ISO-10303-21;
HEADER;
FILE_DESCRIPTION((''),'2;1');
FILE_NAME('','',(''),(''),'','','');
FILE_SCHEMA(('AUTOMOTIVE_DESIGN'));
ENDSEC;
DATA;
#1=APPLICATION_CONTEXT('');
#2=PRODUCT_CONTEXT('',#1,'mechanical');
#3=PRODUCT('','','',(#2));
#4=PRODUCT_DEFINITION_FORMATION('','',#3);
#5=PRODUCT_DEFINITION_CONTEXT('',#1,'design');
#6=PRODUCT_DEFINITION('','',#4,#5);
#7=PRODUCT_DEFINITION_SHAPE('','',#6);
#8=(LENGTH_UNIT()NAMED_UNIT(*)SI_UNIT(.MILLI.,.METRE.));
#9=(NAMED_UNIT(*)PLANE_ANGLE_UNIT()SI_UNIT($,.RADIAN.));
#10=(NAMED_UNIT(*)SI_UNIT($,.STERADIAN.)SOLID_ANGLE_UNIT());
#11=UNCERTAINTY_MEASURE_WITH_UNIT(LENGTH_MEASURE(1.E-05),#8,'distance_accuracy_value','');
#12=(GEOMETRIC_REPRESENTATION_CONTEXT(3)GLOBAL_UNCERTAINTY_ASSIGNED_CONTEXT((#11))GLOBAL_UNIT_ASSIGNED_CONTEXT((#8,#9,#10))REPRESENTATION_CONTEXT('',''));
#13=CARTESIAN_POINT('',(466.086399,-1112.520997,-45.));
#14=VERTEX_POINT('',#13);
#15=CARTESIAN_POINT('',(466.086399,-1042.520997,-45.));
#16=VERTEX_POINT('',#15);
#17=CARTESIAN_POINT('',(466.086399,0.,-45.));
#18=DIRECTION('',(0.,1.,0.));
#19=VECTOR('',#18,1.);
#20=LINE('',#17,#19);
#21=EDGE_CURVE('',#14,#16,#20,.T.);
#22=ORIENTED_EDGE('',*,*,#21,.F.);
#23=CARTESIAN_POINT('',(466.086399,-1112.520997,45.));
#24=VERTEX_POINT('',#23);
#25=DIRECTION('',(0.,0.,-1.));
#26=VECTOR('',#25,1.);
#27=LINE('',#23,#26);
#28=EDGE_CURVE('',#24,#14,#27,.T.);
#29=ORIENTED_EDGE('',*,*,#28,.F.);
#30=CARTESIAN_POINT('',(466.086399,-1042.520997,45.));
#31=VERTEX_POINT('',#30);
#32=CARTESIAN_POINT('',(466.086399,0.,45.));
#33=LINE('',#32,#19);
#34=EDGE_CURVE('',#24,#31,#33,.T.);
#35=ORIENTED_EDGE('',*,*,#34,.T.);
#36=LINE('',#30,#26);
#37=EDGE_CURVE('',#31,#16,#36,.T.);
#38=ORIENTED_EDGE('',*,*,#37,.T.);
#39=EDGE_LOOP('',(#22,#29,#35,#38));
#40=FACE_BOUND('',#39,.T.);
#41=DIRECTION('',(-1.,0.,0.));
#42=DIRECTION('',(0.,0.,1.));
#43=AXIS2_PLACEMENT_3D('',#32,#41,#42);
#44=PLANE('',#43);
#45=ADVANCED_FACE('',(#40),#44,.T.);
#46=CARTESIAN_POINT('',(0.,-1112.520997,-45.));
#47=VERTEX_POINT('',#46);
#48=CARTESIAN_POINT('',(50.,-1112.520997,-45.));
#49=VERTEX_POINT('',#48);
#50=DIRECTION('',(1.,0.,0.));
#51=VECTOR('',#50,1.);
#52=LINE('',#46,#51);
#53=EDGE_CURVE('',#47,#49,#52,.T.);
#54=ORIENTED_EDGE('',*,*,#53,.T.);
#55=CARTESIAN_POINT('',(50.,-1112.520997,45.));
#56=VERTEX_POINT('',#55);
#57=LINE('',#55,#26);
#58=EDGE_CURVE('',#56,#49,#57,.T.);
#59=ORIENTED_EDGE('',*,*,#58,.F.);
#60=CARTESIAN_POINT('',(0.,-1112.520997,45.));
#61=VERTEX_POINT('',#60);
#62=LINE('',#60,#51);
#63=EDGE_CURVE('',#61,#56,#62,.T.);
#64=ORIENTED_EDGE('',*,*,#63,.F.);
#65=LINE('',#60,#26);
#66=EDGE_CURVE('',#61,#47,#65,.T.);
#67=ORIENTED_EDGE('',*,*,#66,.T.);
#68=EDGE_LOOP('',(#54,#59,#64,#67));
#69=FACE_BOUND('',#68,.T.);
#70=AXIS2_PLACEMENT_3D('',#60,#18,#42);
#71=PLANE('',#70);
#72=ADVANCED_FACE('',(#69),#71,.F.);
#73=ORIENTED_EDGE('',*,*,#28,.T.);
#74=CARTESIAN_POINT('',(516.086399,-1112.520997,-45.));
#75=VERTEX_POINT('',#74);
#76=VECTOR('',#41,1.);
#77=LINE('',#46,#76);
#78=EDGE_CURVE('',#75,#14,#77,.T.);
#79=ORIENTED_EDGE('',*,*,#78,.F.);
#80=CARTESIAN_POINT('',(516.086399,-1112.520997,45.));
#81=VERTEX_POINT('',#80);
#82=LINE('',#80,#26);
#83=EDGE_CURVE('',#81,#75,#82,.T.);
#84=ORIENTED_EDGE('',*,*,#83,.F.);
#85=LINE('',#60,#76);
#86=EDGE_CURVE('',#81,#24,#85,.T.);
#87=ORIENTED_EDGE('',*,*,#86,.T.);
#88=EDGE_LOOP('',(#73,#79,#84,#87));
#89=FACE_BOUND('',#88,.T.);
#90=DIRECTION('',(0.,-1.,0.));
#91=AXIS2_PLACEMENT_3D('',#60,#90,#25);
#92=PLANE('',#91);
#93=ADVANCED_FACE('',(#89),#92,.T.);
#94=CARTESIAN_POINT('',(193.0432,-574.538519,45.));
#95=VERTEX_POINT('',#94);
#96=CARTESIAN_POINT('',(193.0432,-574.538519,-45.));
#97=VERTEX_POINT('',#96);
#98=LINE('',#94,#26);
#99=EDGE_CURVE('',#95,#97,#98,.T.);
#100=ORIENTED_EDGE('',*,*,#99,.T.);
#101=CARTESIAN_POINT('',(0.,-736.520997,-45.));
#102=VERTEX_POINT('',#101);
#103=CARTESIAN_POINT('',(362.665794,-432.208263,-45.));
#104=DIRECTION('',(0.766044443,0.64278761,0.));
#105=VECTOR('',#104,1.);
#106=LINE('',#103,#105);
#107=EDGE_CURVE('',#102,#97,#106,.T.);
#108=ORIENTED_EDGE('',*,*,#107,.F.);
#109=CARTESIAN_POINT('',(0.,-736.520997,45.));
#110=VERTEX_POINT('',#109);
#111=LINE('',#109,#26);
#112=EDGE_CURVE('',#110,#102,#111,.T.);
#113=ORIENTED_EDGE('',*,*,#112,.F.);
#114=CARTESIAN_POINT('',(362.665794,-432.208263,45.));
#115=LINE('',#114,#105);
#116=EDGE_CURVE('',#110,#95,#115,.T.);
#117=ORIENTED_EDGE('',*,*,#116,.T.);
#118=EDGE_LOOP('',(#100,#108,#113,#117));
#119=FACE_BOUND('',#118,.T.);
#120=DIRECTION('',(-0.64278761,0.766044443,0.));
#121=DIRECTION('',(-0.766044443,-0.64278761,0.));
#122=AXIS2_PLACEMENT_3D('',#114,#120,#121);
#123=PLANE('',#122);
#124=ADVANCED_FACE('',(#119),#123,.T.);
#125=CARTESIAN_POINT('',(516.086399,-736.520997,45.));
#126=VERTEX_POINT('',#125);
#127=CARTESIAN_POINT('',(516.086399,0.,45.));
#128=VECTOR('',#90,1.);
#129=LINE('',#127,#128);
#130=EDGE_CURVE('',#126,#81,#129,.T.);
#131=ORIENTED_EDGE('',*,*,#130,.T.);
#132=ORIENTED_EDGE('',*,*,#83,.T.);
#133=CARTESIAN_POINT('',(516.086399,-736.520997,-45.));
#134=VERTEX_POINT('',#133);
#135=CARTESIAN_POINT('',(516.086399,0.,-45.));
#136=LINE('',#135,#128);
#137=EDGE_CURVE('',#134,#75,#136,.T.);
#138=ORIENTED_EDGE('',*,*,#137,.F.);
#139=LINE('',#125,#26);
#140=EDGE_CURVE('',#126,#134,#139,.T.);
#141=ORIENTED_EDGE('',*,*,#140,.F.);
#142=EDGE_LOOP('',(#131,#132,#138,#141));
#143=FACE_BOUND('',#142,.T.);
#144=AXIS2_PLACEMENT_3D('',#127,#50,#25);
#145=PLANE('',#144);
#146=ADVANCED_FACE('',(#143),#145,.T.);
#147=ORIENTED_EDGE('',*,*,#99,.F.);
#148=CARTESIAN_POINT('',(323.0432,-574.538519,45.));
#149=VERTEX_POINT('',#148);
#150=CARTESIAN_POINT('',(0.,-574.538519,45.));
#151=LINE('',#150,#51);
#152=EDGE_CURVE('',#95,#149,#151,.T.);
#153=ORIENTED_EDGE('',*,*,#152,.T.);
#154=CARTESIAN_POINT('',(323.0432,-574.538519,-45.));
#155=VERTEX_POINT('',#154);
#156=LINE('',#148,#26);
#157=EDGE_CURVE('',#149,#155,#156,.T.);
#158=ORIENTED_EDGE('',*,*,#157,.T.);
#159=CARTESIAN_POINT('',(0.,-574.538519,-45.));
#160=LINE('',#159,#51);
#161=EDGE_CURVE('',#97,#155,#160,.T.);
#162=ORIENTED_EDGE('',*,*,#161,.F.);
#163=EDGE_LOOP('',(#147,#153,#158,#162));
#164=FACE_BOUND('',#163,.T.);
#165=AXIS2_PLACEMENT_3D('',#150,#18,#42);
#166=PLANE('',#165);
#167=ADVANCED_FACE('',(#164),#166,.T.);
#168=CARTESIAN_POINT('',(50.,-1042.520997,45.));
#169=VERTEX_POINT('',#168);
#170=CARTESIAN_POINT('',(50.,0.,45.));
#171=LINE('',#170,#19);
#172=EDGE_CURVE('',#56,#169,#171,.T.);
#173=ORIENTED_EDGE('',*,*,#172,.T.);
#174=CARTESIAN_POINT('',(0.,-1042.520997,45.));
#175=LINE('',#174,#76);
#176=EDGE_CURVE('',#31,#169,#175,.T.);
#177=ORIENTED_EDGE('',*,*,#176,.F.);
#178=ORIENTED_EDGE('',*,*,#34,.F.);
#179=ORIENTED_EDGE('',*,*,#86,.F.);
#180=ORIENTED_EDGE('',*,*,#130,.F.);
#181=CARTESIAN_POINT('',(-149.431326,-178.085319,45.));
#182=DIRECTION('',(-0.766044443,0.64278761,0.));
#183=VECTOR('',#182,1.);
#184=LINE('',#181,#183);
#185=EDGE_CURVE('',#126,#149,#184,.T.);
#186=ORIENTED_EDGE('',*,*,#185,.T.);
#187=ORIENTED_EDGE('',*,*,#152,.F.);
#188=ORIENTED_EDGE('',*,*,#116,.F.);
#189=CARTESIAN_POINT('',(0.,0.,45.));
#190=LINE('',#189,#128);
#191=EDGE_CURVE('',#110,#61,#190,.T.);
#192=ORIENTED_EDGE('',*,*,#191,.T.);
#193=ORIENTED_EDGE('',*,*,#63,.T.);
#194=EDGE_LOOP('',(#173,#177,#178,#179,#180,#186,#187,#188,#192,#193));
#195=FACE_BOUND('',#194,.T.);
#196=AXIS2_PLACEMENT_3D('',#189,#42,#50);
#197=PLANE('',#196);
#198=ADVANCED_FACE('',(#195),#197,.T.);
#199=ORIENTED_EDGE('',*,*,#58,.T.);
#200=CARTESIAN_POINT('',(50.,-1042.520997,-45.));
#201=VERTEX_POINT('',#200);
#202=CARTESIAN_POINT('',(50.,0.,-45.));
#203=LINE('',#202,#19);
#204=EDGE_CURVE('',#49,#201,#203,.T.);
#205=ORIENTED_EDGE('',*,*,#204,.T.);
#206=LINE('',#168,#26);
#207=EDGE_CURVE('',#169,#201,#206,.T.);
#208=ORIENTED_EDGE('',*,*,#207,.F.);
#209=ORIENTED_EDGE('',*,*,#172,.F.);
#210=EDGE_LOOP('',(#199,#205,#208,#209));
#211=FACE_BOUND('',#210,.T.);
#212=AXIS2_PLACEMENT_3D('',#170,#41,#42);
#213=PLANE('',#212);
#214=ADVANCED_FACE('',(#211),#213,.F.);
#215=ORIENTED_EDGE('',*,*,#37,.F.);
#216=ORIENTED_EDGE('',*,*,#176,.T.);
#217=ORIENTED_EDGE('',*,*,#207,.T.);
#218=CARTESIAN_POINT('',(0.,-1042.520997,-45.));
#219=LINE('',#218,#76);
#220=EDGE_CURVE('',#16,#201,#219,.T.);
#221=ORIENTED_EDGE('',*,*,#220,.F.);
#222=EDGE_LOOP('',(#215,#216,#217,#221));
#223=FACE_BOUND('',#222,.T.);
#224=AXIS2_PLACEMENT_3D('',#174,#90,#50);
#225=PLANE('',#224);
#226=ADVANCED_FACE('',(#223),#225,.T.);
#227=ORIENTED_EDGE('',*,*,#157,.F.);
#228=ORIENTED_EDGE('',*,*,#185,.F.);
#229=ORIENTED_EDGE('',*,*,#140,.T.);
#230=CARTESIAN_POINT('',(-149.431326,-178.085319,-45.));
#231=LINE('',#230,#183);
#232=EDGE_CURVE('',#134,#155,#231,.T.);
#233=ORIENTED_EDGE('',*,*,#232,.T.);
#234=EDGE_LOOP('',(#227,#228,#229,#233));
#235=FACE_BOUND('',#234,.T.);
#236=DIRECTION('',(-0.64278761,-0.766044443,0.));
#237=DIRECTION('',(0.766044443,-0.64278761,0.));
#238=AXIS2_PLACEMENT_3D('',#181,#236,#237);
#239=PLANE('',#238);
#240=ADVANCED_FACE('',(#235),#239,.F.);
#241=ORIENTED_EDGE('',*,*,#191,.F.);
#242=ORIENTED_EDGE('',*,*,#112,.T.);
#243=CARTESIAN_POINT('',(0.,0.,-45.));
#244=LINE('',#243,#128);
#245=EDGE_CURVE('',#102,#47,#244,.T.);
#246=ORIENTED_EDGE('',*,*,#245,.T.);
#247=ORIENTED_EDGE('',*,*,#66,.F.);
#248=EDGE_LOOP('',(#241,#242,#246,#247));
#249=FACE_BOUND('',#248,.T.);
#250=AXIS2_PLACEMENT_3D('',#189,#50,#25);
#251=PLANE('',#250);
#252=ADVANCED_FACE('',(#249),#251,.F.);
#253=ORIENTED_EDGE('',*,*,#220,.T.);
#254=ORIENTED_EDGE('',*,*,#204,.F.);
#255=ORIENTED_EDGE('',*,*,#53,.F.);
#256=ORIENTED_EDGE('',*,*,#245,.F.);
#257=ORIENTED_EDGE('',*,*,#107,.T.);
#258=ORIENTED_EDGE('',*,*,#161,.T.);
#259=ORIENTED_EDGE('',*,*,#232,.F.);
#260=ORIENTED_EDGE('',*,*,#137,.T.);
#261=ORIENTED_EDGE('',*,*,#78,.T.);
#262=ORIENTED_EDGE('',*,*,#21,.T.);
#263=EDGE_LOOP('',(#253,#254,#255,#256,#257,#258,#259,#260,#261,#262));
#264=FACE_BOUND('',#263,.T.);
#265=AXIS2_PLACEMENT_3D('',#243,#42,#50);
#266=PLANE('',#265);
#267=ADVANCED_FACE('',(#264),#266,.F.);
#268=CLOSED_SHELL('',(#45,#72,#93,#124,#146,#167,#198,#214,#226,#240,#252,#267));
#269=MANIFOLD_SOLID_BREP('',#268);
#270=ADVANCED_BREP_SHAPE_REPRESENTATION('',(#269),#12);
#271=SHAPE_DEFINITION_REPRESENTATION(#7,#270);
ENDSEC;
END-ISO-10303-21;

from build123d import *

# Parameters (mm, degrees)
SKETCH_3_W      = 143.043199666
SKETCH_3_H      = 233.991238821
SKETCH_3_W_2    = 65
SKETCH_3_W_3    = 50
SKETCH_3_H_2    = 70
SKETCH_3_H_3    = 233.99123882
EXTRUDE_1_DEPTH = 45


with BuildPart() as part:
    # 草图3 → 凸台-拉伸1 (new, symmetric)
    with BuildSketch(Plane.XY):
        with Locations((394.564799499, -925.525377252)):
            Rectangle(SKETCH_3_W, SKETCH_3_H)
        with Locations((290.543199666, -925.525377252)):
            Rectangle(SKETCH_3_W_2, SKETCH_3_H)
        with Locations((225.543199666, -925.525377252)):
            Rectangle(SKETCH_3_W_2, SKETCH_3_H)
        with Locations((121.521599833, -925.525377252)):
            Rectangle(SKETCH_3_W, SKETCH_3_H)
        with Locations((25, -925.525377252)):
            Rectangle(SKETCH_3_W_3, SKETCH_3_H)
        with Locations((25, -1077.520996662)):
            Rectangle(SKETCH_3_W_3, SKETCH_3_H_2)
        with Locations((491.086399332, -1077.520996662)):
            Rectangle(SKETCH_3_W_3, SKETCH_3_H_2)
        with Locations((491.086399332, -925.525377252)):
            Rectangle(SKETCH_3_W_3, SKETCH_3_H)
        Polygon((466.086399332, -694.566015103), (466.086399332, -808.529757841), (516.086399332, -808.529757841), (516.086399332, -736.520996662), align=None)
        Polygon((323.043199666, -574.538519021), (323.043199666, -808.529757841), (466.086399332, -808.529757841), (466.086399332, -694.566015103), align=None)
        with Locations((290.543199666, -691.534138431)):
            Rectangle(SKETCH_3_W_2, SKETCH_3_H_3)
        with Locations((225.543199666, -691.534138431)):
            Rectangle(SKETCH_3_W_2, SKETCH_3_H_3)
        Polygon((50, -694.566015103), (50, -808.529757841), (193.043199666, -808.529757841), (193.043199666, -574.538519021), align=None)
        Polygon((0, -736.520996662), (0, -808.529757841), (50, -808.529757841), (50, -694.566015103), align=None)
    extrude(amount=EXTRUDE_1_DEPTH, both=True)


solid = part.part
